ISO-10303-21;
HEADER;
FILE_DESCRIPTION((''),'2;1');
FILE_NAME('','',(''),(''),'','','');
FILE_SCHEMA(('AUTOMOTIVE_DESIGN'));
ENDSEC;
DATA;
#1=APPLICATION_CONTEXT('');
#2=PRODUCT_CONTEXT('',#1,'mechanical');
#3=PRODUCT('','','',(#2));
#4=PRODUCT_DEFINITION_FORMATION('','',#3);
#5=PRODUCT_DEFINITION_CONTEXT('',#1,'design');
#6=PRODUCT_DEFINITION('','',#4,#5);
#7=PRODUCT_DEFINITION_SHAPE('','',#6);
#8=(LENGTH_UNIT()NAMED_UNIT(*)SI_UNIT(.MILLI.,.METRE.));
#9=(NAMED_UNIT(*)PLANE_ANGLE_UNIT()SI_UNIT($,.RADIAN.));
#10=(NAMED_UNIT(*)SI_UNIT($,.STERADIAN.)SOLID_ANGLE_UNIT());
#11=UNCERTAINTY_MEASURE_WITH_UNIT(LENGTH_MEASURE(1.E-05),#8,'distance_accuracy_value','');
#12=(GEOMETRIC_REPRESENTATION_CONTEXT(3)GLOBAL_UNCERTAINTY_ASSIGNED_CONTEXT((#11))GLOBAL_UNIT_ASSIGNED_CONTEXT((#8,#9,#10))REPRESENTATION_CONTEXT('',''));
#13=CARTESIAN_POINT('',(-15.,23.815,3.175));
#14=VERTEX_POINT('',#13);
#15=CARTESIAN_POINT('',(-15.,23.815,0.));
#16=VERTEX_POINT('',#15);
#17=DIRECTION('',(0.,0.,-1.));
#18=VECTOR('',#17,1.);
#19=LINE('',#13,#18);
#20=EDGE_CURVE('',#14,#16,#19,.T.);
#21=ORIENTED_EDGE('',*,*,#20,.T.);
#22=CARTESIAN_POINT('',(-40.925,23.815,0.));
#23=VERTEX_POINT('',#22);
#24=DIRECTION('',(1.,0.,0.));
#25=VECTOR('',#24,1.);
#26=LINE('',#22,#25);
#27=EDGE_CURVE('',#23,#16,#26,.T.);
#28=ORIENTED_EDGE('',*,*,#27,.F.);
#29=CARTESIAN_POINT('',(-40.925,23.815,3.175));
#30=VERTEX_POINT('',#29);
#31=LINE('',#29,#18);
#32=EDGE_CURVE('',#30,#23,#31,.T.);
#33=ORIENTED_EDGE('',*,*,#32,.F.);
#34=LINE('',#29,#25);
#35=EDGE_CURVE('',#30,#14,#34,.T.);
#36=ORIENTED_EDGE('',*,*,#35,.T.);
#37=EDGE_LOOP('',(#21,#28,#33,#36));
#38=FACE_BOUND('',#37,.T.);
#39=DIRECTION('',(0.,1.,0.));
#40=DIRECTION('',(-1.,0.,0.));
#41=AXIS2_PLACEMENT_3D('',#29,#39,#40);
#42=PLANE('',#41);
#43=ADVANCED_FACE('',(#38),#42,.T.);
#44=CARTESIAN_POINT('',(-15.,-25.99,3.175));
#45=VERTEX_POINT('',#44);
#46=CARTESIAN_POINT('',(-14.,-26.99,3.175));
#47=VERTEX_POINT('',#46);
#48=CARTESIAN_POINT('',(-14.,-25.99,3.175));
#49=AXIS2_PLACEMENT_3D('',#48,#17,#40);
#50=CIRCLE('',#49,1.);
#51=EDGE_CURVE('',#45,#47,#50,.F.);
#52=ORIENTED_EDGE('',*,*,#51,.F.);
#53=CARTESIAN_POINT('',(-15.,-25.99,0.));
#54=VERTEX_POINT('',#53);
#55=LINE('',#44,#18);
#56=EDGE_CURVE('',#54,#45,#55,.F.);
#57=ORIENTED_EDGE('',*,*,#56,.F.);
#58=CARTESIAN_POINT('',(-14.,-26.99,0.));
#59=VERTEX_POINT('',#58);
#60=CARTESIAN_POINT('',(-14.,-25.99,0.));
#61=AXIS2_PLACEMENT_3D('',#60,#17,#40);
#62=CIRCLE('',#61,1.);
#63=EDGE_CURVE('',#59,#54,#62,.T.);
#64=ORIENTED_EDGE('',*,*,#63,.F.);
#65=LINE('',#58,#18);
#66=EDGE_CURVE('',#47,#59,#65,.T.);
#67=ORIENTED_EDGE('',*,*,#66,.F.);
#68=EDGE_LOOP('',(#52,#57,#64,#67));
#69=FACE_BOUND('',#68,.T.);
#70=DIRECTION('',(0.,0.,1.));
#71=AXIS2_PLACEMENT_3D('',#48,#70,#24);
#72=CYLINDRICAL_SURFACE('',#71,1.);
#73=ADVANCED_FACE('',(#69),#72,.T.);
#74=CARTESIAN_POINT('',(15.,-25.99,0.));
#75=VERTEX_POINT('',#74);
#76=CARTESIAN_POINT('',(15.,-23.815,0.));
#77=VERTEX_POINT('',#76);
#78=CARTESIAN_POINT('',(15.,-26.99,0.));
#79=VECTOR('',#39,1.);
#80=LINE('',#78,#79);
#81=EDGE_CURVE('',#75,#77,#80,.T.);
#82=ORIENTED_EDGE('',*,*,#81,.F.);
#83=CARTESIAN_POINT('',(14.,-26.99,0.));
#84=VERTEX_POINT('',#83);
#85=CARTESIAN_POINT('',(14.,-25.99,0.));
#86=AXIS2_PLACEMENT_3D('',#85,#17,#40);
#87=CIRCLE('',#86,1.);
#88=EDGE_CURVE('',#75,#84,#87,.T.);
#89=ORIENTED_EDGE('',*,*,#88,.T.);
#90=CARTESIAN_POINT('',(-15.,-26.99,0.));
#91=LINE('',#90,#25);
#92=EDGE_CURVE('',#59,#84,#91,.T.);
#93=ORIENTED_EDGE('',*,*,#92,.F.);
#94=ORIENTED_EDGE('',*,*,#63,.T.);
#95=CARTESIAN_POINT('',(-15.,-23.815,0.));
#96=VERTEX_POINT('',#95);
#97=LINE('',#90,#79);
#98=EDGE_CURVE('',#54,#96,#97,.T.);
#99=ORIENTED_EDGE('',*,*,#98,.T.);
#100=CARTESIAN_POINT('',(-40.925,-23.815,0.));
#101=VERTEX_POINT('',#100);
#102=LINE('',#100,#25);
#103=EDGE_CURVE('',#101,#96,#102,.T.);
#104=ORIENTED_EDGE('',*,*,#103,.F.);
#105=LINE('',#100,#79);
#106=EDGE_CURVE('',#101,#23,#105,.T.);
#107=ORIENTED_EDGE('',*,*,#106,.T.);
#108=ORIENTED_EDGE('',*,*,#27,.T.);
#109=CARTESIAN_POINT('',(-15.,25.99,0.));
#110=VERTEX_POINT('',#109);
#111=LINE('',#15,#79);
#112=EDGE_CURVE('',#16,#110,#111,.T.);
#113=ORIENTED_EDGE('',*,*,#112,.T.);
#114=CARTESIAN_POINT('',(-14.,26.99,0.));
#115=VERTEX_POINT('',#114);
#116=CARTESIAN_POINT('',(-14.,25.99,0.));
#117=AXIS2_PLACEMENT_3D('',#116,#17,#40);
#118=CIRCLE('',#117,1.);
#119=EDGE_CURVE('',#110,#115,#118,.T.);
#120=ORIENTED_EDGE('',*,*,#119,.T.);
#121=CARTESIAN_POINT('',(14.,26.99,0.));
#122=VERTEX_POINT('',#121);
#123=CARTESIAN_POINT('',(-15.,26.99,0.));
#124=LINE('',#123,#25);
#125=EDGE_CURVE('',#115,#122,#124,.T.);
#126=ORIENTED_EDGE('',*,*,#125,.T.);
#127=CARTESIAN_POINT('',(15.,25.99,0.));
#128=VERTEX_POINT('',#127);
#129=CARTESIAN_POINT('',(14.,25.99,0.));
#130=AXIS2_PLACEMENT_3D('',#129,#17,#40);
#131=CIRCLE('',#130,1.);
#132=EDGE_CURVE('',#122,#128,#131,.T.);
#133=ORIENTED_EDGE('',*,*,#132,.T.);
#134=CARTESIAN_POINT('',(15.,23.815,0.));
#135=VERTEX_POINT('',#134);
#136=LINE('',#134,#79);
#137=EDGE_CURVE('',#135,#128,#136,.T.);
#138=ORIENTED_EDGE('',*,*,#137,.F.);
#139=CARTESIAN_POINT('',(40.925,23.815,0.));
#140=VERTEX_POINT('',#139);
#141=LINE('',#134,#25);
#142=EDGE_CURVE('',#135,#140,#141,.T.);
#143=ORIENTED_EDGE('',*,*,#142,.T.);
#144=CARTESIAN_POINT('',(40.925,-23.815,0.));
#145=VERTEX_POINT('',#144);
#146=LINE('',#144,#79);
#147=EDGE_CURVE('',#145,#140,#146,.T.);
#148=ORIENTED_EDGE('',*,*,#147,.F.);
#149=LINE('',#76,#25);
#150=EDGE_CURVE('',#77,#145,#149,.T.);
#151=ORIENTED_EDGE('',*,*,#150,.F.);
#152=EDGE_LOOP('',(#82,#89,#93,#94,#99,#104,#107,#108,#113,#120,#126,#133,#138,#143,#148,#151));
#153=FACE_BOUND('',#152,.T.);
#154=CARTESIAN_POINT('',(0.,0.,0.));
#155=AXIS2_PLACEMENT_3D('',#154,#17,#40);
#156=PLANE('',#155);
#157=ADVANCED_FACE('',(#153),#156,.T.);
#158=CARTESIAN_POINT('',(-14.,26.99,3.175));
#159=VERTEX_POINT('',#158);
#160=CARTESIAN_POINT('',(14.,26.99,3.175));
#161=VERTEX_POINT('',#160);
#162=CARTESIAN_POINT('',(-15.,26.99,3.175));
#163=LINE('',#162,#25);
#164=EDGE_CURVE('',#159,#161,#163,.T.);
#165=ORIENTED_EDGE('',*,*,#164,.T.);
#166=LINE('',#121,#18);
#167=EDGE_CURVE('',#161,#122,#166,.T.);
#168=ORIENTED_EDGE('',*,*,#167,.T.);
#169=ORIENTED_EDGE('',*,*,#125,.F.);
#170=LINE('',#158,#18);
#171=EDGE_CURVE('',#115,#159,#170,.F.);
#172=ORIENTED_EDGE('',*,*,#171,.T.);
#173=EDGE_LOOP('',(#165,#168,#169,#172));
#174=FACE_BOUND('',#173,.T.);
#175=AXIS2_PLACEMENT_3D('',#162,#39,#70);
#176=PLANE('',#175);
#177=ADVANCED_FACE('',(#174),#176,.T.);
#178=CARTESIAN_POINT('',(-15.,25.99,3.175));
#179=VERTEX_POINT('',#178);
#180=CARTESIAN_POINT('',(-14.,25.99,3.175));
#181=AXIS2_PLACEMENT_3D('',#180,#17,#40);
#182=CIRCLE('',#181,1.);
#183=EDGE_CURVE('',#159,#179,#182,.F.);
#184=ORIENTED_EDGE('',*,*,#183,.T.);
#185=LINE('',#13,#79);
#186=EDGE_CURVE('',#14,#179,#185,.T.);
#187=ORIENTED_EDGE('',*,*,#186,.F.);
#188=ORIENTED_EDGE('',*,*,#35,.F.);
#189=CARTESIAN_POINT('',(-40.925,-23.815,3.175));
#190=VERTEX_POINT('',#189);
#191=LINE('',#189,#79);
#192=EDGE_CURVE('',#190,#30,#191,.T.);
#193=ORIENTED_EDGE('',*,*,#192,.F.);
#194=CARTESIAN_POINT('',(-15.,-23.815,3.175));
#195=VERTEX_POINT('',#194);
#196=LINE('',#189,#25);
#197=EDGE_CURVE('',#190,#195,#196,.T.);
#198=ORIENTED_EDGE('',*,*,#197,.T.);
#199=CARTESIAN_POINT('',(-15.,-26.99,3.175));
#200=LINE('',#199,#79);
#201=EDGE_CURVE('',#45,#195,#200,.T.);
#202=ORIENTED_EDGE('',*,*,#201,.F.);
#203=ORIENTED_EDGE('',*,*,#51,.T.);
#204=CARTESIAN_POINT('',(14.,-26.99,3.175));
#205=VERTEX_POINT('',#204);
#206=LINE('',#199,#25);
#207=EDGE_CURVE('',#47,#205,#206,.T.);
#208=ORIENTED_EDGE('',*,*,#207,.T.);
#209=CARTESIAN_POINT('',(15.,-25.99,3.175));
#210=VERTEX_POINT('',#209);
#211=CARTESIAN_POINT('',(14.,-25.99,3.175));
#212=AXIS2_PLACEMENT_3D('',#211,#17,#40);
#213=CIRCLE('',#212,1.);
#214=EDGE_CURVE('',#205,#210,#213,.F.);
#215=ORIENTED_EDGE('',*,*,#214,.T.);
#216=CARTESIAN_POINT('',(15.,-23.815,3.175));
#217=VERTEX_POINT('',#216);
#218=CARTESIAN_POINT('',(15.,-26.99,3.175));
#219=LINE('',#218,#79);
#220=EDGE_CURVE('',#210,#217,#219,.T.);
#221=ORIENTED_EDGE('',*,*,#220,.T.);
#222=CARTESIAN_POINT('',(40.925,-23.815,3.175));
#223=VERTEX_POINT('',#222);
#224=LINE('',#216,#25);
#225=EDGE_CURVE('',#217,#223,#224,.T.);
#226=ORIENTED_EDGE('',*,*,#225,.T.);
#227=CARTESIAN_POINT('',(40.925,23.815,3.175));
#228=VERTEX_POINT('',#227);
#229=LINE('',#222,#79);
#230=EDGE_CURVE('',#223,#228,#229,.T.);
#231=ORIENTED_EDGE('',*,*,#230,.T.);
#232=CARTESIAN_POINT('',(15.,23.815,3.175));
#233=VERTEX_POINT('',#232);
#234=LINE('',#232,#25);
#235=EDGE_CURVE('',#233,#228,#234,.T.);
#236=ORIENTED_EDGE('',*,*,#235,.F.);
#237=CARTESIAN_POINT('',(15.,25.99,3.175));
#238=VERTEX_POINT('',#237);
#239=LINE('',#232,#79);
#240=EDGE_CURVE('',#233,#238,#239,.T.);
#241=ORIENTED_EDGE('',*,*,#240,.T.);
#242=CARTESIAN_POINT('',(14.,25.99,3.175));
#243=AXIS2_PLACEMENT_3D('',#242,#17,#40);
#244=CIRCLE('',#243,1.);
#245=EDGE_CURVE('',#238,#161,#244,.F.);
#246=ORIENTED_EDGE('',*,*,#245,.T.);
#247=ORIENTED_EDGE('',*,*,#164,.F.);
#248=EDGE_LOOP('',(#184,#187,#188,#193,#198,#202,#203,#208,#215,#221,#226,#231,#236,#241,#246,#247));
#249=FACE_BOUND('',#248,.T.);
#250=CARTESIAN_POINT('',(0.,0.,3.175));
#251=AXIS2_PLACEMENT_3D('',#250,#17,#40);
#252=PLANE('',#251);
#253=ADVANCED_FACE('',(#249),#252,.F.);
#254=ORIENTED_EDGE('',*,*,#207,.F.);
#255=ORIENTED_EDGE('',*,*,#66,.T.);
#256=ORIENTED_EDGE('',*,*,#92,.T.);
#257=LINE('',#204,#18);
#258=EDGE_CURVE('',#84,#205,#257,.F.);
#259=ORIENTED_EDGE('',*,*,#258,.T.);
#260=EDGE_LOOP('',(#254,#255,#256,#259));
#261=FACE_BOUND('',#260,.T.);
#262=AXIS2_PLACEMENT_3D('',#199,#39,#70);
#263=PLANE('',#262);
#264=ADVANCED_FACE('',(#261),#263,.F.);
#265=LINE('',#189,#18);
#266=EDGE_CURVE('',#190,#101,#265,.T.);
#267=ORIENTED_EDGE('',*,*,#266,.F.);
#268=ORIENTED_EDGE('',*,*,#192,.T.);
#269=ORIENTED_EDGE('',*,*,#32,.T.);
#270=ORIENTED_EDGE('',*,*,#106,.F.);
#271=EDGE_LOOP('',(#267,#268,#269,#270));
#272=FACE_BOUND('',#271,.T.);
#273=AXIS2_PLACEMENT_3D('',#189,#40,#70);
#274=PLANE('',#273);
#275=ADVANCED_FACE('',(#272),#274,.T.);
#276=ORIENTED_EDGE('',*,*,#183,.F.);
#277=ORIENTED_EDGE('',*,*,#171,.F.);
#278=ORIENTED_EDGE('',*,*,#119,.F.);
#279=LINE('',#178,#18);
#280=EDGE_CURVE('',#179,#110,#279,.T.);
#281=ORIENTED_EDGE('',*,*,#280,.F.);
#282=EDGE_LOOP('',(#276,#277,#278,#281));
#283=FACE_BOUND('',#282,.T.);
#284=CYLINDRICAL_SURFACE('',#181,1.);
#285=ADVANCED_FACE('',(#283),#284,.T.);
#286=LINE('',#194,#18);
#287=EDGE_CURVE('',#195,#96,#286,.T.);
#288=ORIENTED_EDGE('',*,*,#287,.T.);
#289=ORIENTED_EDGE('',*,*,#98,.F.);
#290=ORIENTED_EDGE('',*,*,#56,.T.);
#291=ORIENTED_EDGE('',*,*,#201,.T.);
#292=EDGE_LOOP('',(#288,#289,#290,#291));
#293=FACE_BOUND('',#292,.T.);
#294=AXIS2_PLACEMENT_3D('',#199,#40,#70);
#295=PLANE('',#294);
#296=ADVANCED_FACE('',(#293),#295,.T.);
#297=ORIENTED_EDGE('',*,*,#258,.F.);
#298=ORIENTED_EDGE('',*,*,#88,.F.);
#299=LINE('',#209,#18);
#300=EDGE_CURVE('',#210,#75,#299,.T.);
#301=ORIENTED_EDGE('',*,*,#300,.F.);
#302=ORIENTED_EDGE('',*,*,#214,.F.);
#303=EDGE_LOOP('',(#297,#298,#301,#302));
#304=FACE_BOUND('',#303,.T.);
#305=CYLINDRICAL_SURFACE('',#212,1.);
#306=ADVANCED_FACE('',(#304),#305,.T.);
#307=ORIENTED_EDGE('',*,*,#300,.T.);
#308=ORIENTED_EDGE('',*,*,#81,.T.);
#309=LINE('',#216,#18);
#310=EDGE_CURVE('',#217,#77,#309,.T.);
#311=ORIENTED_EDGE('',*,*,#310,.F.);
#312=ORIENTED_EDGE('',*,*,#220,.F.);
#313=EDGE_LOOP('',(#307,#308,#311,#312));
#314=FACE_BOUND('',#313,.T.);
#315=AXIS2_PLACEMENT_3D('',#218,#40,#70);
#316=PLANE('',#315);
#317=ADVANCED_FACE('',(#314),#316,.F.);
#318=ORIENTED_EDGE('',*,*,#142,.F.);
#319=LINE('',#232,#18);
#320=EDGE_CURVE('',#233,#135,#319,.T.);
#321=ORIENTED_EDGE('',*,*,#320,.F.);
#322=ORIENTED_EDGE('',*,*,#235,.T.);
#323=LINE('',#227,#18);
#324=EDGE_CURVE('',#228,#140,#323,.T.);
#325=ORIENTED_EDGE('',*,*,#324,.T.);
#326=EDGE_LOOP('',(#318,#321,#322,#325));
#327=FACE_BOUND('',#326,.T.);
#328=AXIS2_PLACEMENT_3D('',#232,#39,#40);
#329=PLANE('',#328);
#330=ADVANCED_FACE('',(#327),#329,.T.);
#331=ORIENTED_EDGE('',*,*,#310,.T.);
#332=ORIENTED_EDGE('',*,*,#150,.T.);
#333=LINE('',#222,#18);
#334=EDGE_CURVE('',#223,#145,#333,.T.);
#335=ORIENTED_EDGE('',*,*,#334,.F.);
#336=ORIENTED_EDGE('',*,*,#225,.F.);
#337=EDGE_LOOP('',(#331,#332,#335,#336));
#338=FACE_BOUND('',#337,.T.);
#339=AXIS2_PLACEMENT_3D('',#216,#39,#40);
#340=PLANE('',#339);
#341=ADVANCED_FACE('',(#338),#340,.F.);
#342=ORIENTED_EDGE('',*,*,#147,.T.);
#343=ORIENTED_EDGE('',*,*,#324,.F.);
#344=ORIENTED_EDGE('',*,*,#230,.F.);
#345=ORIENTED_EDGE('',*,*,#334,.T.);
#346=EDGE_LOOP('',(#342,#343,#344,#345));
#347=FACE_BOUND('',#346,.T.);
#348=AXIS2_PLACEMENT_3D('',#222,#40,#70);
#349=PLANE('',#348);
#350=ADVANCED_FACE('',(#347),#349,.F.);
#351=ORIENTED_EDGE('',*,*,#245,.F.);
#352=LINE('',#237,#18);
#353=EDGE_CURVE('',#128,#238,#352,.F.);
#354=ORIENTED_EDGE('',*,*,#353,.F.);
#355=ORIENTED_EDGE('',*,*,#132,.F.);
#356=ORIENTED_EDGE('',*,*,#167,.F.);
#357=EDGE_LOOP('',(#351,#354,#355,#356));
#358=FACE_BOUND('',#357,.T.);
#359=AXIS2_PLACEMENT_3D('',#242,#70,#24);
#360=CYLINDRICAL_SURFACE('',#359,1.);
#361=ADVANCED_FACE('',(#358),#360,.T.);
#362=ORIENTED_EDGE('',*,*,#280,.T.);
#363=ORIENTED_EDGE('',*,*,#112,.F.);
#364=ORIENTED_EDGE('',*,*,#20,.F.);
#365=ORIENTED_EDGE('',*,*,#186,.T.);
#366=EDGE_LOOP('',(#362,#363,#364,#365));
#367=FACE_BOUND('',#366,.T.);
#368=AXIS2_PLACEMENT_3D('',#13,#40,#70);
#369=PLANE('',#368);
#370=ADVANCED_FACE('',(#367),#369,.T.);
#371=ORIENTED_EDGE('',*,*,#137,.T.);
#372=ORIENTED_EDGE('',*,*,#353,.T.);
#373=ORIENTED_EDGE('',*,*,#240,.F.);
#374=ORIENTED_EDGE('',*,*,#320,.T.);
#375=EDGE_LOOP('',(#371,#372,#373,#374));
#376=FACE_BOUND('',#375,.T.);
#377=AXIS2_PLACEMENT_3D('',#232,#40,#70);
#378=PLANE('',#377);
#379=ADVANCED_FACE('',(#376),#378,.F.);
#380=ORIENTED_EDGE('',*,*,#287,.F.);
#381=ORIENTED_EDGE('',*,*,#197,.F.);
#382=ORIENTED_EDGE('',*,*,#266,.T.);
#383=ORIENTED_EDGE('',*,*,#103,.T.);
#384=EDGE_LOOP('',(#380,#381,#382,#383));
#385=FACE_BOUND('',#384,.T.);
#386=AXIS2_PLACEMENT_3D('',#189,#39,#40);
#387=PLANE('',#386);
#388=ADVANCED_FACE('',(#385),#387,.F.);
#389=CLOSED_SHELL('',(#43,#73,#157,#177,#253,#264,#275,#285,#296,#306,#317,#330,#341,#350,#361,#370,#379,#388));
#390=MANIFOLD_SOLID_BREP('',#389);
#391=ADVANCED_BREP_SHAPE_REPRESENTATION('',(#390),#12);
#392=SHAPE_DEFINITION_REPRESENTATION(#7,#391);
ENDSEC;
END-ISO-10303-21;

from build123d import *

# Parameters (mm, degrees)
BOSS_EXTRUDE1_DEPTH = 3.175
FILLET1_R           = 1


with BuildPart() as part:
    # Sketch1 → Boss-Extrude1 (new body)
    with BuildSketch(Plane.XY):
        Polygon((-40.925, -23.815), (-15, -23.815), (-15, -26.99), (15, -26.99), (15, -23.815), (40.925, -23.815), (40.925, 23.815), (15, 23.815), (15, 26.99), (-15, 26.99), (-15, 23.815), (-40.925, 23.815), align=None)
    extrude(amount=BOSS_EXTRUDE1_DEPTH)

    # Fillet1
    fillet1_edges = [part.edges().sort_by_distance(p)[0] for p in [
        (-15, -26.99, 1.5875),
        (15, -26.99, 1.5875),
        (15, 26.99, 1.5875),
        (-15, 26.99, 1.5875),
    ]]
    fillet(fillet1_edges, radius=FILLET1_R)


solid = part.part
